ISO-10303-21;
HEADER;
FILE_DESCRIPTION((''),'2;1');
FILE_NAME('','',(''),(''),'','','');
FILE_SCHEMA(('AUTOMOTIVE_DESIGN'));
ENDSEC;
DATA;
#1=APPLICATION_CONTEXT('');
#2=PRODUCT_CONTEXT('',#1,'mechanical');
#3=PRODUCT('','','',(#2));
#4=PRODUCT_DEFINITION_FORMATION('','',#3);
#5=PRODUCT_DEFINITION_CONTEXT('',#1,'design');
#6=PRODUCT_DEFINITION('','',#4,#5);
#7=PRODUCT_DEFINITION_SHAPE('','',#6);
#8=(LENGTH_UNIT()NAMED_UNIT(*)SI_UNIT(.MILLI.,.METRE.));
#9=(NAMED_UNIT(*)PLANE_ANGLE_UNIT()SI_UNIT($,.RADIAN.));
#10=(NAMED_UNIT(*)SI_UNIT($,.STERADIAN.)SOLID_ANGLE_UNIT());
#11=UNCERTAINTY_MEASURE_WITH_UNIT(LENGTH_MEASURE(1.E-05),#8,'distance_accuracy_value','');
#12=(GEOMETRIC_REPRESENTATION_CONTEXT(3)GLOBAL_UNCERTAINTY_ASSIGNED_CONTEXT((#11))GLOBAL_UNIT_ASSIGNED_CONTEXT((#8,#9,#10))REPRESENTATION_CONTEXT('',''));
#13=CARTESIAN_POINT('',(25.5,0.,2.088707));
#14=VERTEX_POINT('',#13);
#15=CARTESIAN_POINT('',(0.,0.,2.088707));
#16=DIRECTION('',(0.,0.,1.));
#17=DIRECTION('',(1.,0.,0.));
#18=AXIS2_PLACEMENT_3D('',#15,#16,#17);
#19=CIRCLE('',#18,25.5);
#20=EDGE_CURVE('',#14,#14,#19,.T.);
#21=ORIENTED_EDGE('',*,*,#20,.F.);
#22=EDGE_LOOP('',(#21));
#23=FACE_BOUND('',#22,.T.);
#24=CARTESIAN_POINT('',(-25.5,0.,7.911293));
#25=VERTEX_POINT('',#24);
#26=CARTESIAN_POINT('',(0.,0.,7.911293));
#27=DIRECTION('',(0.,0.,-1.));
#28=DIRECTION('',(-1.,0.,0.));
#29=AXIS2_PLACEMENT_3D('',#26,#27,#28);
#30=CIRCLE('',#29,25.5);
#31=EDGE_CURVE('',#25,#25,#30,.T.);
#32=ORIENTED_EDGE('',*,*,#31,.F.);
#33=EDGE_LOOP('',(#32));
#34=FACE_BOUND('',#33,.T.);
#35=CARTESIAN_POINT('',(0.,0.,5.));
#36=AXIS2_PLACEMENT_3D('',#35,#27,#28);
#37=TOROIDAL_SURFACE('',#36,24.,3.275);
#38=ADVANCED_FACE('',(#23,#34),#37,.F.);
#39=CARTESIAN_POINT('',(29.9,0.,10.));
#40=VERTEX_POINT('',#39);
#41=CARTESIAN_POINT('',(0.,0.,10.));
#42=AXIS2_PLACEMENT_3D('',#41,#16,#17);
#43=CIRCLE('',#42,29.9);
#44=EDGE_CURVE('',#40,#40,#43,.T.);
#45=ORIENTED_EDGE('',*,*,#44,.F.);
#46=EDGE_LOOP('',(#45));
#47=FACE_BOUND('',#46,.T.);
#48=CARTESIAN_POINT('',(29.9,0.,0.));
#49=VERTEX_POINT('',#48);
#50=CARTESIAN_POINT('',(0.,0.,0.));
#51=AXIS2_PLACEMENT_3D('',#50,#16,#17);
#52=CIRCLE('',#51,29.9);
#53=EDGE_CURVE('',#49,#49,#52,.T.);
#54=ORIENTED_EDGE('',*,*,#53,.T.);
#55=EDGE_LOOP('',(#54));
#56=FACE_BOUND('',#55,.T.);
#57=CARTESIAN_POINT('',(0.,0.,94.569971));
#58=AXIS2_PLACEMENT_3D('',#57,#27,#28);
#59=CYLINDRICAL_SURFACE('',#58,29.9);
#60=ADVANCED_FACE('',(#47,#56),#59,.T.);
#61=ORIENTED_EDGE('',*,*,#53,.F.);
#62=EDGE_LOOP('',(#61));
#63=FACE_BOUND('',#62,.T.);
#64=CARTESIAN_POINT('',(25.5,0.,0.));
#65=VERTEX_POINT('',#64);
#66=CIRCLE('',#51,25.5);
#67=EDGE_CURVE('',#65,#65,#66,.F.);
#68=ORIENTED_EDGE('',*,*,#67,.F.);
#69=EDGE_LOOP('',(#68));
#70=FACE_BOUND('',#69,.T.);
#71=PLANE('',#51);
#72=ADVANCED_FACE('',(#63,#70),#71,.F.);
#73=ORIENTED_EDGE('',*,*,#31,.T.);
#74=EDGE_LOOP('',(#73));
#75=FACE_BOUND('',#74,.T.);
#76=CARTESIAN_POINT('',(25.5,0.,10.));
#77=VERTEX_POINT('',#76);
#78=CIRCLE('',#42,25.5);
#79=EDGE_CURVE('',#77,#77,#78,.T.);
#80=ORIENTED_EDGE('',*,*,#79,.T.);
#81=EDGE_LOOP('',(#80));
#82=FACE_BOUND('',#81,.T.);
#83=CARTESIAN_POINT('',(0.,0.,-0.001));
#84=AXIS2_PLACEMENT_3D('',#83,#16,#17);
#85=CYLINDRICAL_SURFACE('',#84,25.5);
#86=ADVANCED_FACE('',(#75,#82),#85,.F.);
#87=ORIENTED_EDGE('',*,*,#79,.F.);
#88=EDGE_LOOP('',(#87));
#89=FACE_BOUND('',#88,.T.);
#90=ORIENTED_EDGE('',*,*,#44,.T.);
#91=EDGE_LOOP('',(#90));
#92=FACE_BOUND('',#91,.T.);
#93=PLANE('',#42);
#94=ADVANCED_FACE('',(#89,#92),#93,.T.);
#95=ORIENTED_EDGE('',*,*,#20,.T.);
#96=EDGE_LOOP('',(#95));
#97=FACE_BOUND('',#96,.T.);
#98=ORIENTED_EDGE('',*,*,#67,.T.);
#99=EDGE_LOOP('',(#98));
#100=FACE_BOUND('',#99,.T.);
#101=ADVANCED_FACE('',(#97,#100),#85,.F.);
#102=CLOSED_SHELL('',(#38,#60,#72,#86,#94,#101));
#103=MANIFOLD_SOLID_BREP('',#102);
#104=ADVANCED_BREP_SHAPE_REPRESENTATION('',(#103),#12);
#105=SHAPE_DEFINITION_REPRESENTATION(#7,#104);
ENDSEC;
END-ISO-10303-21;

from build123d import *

# Parameters (mm, degrees)
SKETCH1_R           = 29.9
BOSS_EXTRUDE1_DEPTH = 10
CUT_EXTRUDE1_REACH  = 12
SKETCH2_R           = 25.5
SKETCH3_R           = 3.275


with BuildPart() as part:
    # Sketch1 → Boss-Extrude1 (new body)
    with BuildSketch(Plane.XY):
        Circle(SKETCH1_R)
    extrude(amount=BOSS_EXTRUDE1_DEPTH)

    # Sketch2 → Cut-Extrude1 (cut, up to next)
    with BuildSketch(Plane.XY.offset(10), mode=Mode.PRIVATE) as cut_extrude1_sk1:
        Circle(SKETCH2_R)
    cut_extrude1_tool1 = extrude(cut_extrude1_sk1.sketch, amount=-CUT_EXTRUDE1_REACH, mode=Mode.PRIVATE) & part.part
    add(cut_extrude1_tool1.solids().sort_by_distance((0, 0, 10))[0], mode=Mode.SUBTRACT)

    # Sketch3 → Cut-Revolve2 (revolve, cut)
    with BuildSketch(Plane(origin=(0, 0, 0), x_dir=(1, 0, 0), z_dir=(0, 1, 0))):
        with Locations((-24, -5)):
            Circle(SKETCH3_R)
    revolve(axis=Axis((0, 0, -18.462767292), (0, 0, 1)), mode=Mode.SUBTRACT)


solid = part.part
